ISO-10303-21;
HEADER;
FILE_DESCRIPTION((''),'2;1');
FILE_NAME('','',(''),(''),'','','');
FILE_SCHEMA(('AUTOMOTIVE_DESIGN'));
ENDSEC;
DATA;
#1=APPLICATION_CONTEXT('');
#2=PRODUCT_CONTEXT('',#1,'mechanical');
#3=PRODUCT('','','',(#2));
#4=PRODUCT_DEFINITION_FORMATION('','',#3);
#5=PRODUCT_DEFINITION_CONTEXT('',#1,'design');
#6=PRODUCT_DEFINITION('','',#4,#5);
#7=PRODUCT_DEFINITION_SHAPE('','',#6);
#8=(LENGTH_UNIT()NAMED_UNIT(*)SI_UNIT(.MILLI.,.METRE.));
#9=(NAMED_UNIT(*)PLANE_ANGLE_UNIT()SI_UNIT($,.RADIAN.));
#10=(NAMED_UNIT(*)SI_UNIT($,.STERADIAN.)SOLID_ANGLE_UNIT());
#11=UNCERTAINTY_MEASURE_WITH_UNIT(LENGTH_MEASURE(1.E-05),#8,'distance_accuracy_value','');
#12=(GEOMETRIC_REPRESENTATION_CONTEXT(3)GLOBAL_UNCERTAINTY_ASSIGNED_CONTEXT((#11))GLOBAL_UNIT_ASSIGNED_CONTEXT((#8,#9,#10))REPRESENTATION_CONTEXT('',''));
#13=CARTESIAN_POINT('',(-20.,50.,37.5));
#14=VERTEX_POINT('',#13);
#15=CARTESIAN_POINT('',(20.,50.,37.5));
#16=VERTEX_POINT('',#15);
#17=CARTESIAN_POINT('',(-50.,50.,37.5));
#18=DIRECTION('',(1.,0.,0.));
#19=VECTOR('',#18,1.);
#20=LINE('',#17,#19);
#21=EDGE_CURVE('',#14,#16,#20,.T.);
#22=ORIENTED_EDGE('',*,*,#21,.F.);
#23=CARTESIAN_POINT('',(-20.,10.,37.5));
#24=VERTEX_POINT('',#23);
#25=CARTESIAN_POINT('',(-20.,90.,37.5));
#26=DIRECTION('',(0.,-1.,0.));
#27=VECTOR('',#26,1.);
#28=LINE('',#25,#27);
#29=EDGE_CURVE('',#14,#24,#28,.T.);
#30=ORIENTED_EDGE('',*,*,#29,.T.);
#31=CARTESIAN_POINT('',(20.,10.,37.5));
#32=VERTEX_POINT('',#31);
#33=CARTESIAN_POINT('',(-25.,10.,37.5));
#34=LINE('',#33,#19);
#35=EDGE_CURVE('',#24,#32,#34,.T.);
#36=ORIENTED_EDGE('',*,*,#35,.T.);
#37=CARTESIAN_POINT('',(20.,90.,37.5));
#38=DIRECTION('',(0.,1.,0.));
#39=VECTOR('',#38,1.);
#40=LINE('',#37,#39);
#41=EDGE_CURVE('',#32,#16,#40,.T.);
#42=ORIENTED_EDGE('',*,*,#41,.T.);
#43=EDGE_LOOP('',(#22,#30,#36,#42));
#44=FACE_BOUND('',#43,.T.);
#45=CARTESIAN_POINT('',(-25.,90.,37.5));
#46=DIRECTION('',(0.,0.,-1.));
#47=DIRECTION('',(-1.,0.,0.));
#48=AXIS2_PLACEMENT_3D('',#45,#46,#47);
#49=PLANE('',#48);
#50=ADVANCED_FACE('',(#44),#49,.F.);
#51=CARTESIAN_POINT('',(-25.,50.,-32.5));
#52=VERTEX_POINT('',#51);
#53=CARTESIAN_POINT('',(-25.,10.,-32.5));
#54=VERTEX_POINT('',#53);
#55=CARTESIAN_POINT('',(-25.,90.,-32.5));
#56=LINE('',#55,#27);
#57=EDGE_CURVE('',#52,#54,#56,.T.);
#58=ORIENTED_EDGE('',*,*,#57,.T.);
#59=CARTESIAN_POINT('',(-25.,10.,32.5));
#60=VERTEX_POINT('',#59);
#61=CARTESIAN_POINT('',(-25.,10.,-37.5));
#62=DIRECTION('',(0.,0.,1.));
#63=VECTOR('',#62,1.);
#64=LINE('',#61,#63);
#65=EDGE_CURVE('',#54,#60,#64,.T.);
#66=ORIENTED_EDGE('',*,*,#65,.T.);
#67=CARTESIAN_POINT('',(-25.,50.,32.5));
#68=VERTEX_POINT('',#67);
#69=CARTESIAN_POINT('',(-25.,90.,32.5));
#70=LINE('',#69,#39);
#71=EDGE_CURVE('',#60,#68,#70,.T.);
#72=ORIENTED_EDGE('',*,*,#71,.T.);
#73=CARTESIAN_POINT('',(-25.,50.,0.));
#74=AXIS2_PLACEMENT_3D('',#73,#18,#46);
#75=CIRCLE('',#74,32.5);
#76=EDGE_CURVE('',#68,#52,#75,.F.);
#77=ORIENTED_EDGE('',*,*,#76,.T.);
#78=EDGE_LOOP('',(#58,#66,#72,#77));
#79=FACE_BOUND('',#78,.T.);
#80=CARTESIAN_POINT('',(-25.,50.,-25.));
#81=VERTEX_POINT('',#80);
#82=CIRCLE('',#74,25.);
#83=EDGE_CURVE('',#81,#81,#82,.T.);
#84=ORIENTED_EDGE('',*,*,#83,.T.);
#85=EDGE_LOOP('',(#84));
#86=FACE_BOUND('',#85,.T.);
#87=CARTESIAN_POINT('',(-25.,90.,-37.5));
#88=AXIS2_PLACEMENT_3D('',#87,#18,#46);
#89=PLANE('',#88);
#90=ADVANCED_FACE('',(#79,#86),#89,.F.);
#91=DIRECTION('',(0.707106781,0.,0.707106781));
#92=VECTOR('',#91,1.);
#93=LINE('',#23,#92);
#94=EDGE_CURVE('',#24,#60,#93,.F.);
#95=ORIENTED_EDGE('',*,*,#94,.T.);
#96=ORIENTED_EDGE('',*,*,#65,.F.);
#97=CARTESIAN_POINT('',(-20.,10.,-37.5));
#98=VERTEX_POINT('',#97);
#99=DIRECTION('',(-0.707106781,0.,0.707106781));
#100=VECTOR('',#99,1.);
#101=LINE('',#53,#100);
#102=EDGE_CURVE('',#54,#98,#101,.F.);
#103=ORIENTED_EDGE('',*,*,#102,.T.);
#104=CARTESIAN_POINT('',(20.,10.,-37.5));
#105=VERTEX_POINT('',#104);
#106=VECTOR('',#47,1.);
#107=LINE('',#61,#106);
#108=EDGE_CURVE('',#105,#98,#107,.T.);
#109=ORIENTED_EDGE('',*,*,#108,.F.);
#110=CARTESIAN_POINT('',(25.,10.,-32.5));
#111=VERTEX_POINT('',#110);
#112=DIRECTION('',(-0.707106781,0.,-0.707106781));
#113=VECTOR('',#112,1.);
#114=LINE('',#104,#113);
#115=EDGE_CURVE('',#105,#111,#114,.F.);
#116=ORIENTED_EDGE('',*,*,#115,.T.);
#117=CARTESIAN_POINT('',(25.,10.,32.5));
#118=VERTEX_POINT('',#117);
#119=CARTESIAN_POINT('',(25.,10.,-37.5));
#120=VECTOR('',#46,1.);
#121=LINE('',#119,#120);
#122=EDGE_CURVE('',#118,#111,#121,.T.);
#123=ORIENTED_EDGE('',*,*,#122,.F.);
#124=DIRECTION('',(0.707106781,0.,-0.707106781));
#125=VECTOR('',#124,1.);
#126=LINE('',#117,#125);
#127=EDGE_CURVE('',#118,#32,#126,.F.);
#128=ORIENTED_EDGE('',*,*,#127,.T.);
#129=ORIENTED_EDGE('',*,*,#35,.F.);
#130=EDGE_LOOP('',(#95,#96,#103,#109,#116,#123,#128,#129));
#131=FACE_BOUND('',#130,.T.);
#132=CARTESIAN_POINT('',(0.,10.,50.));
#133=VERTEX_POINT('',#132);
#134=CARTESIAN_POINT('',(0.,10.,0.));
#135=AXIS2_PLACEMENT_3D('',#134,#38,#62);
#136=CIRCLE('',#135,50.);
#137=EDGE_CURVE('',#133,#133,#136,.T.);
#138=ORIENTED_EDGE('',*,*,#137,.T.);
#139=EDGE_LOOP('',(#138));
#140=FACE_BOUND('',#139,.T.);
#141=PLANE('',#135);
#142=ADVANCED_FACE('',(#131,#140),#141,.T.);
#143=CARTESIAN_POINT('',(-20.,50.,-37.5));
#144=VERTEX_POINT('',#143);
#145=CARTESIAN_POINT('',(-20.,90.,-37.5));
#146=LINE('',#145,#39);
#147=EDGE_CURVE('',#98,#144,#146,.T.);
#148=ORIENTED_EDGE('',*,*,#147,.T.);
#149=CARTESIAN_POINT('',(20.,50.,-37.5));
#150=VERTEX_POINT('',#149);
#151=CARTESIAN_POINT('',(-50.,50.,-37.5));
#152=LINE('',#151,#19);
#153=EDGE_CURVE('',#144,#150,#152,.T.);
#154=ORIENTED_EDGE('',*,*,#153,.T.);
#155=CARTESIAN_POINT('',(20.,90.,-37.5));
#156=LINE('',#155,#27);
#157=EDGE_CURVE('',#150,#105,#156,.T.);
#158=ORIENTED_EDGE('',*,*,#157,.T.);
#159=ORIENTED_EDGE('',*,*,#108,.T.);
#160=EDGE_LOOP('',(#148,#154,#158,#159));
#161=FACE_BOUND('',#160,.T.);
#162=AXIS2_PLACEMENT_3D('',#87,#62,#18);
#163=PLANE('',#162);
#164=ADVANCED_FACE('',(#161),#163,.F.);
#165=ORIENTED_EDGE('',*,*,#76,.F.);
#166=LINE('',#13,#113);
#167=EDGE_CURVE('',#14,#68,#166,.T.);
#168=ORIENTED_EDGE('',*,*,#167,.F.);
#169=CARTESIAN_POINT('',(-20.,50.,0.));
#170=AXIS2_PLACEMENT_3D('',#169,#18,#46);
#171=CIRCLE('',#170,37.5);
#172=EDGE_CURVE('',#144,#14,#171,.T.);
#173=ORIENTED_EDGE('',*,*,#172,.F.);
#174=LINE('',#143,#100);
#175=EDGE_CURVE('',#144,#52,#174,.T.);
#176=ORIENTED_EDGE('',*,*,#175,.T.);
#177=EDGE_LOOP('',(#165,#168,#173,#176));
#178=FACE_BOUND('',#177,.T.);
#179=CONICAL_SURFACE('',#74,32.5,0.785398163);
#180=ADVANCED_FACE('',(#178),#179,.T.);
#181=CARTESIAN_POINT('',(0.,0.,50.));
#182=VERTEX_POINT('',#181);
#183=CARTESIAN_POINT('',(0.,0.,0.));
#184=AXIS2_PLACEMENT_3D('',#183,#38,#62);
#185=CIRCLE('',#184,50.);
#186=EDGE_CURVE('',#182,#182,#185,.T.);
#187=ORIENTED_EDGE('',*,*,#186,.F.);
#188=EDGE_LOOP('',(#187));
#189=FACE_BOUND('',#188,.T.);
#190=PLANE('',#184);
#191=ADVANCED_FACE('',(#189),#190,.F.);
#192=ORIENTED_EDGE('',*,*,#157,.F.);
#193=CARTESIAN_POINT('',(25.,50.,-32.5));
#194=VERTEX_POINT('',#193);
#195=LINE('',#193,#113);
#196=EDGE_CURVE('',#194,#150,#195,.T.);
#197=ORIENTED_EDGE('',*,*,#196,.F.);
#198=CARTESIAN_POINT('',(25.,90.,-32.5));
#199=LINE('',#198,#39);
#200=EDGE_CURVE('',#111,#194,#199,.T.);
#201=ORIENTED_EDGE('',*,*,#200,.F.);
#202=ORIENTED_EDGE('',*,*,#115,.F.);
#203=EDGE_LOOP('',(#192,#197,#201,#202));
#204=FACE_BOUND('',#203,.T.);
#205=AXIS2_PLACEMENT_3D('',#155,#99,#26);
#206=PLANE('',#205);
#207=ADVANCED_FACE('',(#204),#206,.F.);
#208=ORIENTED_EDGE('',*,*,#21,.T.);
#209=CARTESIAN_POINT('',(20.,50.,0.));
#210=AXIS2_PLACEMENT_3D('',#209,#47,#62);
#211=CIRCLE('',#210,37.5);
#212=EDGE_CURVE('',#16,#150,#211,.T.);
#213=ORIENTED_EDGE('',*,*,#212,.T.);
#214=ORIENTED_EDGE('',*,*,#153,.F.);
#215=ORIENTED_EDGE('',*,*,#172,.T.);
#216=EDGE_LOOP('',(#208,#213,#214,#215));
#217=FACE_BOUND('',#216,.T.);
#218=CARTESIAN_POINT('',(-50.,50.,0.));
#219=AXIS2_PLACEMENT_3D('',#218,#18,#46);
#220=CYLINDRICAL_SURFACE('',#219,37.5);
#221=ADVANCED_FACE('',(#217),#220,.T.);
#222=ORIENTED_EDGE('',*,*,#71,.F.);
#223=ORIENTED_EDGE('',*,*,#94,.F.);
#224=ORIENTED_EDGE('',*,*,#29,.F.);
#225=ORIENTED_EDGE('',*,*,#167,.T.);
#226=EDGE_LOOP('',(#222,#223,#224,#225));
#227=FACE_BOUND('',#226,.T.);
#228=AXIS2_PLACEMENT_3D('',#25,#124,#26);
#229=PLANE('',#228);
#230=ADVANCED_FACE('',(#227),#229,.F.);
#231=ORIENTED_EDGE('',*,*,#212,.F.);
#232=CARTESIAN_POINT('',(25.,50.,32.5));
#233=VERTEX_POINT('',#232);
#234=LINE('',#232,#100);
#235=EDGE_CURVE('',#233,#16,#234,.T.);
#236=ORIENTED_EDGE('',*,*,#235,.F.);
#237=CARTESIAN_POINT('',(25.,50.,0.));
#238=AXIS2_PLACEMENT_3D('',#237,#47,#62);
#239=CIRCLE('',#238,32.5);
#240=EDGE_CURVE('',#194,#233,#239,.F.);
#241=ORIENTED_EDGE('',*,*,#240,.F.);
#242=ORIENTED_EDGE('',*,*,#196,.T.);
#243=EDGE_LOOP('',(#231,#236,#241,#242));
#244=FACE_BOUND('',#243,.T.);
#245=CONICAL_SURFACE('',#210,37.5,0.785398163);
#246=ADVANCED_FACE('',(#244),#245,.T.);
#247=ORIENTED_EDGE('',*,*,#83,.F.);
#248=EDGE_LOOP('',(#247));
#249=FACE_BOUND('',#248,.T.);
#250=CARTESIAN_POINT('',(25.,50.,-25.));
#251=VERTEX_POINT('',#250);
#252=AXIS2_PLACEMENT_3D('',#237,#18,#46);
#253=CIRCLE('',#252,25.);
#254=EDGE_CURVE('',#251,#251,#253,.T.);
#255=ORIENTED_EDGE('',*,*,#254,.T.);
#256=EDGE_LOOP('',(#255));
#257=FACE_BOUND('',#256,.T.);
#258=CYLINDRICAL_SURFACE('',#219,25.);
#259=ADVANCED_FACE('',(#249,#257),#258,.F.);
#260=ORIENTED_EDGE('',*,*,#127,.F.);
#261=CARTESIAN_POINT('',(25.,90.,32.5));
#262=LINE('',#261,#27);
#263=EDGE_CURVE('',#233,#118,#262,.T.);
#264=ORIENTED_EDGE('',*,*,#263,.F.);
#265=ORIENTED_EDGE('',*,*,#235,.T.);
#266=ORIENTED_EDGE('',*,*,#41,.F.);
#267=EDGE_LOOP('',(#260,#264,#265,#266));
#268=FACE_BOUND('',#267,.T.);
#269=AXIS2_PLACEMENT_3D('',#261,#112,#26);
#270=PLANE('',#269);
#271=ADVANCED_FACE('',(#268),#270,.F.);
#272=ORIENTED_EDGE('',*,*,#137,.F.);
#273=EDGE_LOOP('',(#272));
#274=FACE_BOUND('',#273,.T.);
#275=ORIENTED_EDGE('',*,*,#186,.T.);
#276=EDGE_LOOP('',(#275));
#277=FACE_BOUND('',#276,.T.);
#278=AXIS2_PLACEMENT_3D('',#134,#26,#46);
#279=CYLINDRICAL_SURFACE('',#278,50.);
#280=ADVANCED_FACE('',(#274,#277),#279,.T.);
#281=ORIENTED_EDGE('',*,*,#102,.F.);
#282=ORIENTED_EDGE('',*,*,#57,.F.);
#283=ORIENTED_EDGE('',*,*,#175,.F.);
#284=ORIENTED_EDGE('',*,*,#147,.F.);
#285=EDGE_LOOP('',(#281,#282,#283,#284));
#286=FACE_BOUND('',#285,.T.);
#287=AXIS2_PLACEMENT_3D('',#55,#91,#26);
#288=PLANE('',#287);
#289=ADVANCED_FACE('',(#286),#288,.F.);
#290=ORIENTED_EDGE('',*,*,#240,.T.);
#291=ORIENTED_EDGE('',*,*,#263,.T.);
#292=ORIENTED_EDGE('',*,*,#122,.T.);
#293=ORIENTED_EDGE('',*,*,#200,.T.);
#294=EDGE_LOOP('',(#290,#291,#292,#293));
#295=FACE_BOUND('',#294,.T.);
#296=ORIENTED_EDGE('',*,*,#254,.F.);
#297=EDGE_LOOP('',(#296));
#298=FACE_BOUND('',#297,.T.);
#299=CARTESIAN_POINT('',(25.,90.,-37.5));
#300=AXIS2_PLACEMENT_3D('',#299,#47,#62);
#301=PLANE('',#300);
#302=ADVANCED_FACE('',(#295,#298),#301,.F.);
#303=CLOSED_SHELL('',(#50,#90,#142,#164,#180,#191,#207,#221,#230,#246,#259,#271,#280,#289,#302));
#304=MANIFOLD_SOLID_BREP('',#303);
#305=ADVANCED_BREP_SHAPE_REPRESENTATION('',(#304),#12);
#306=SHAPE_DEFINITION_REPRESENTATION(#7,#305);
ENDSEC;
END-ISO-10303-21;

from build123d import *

# Parameters (mm, degrees)
SKETCH1_R           = 50
BOSS_EXTRUDE1_DEPTH = 10
SKETCH2_W           = 50
SKETCH2_H           = 75
BOSS_EXTRUDE2_DEPTH = 80
SKETCH3_R           = 25
CUT_EXTRUDE4_DEPTH  = 76
CUT_EXTRUDE5_DEPTH  = 76
CHAMFER1_SIZE       = 5


with BuildPart() as part:
    # Sketch1 → Boss-Extrude1 (new body)
    with BuildSketch(Plane(origin=(0, 0, 0), x_dir=(1, 0, 0), z_dir=(0, 1, 0))):
        Circle(SKETCH1_R)
    extrude(amount=BOSS_EXTRUDE1_DEPTH)

    # Sketch2 → Boss-Extrude2 (add)
    with BuildSketch(Plane(origin=(0, 10, 0), x_dir=(1, 0, 0), z_dir=(0, 1, 0))):
        Rectangle(SKETCH2_W, SKETCH2_H)
    extrude(amount=BOSS_EXTRUDE2_DEPTH)

    # Sketch3 → Cut-Extrude4 (cut, through all)
    with BuildSketch(Plane(origin=(25, 0, 0), x_dir=(0, 0, -1), z_dir=(1, 0, 0))):
        with Locations((0, 50)):
            Circle(SKETCH3_R)
    extrude(amount=-CUT_EXTRUDE4_DEPTH, mode=Mode.SUBTRACT)

    # Sketch4 → Cut-Extrude5 (cut, through all)
    with BuildSketch(Plane(origin=(25, 0, 0), x_dir=(0, 0, -1), z_dir=(1, 0, 0))):
        with BuildLine():
            Line((-37.5, 50), (-37.5, 90))
            Line((-37.5, 90), (37.5, 90))
            Line((37.5, 90), (37.5, 50))
            ThreePointArc((37.5, 50), (0, 87.5), (-37.5, 50))
        make_face()
    extrude(amount=-CUT_EXTRUDE5_DEPTH, mode=Mode.SUBTRACT)

    # Chamfer1
    chamfer1_edges = [part.edges().sort_by_distance(p)[0] for p in [
        (25, 30, 37.5),
        (-25, 30, 37.5),
        (-25, 30, -37.5),
        (25, 30, -37.5),
        (-25, 87.5, 0),
        (25, 87.5, 0),
    ]]
    chamfer(chamfer1_edges, length=CHAMFER1_SIZE)


solid = part.part
